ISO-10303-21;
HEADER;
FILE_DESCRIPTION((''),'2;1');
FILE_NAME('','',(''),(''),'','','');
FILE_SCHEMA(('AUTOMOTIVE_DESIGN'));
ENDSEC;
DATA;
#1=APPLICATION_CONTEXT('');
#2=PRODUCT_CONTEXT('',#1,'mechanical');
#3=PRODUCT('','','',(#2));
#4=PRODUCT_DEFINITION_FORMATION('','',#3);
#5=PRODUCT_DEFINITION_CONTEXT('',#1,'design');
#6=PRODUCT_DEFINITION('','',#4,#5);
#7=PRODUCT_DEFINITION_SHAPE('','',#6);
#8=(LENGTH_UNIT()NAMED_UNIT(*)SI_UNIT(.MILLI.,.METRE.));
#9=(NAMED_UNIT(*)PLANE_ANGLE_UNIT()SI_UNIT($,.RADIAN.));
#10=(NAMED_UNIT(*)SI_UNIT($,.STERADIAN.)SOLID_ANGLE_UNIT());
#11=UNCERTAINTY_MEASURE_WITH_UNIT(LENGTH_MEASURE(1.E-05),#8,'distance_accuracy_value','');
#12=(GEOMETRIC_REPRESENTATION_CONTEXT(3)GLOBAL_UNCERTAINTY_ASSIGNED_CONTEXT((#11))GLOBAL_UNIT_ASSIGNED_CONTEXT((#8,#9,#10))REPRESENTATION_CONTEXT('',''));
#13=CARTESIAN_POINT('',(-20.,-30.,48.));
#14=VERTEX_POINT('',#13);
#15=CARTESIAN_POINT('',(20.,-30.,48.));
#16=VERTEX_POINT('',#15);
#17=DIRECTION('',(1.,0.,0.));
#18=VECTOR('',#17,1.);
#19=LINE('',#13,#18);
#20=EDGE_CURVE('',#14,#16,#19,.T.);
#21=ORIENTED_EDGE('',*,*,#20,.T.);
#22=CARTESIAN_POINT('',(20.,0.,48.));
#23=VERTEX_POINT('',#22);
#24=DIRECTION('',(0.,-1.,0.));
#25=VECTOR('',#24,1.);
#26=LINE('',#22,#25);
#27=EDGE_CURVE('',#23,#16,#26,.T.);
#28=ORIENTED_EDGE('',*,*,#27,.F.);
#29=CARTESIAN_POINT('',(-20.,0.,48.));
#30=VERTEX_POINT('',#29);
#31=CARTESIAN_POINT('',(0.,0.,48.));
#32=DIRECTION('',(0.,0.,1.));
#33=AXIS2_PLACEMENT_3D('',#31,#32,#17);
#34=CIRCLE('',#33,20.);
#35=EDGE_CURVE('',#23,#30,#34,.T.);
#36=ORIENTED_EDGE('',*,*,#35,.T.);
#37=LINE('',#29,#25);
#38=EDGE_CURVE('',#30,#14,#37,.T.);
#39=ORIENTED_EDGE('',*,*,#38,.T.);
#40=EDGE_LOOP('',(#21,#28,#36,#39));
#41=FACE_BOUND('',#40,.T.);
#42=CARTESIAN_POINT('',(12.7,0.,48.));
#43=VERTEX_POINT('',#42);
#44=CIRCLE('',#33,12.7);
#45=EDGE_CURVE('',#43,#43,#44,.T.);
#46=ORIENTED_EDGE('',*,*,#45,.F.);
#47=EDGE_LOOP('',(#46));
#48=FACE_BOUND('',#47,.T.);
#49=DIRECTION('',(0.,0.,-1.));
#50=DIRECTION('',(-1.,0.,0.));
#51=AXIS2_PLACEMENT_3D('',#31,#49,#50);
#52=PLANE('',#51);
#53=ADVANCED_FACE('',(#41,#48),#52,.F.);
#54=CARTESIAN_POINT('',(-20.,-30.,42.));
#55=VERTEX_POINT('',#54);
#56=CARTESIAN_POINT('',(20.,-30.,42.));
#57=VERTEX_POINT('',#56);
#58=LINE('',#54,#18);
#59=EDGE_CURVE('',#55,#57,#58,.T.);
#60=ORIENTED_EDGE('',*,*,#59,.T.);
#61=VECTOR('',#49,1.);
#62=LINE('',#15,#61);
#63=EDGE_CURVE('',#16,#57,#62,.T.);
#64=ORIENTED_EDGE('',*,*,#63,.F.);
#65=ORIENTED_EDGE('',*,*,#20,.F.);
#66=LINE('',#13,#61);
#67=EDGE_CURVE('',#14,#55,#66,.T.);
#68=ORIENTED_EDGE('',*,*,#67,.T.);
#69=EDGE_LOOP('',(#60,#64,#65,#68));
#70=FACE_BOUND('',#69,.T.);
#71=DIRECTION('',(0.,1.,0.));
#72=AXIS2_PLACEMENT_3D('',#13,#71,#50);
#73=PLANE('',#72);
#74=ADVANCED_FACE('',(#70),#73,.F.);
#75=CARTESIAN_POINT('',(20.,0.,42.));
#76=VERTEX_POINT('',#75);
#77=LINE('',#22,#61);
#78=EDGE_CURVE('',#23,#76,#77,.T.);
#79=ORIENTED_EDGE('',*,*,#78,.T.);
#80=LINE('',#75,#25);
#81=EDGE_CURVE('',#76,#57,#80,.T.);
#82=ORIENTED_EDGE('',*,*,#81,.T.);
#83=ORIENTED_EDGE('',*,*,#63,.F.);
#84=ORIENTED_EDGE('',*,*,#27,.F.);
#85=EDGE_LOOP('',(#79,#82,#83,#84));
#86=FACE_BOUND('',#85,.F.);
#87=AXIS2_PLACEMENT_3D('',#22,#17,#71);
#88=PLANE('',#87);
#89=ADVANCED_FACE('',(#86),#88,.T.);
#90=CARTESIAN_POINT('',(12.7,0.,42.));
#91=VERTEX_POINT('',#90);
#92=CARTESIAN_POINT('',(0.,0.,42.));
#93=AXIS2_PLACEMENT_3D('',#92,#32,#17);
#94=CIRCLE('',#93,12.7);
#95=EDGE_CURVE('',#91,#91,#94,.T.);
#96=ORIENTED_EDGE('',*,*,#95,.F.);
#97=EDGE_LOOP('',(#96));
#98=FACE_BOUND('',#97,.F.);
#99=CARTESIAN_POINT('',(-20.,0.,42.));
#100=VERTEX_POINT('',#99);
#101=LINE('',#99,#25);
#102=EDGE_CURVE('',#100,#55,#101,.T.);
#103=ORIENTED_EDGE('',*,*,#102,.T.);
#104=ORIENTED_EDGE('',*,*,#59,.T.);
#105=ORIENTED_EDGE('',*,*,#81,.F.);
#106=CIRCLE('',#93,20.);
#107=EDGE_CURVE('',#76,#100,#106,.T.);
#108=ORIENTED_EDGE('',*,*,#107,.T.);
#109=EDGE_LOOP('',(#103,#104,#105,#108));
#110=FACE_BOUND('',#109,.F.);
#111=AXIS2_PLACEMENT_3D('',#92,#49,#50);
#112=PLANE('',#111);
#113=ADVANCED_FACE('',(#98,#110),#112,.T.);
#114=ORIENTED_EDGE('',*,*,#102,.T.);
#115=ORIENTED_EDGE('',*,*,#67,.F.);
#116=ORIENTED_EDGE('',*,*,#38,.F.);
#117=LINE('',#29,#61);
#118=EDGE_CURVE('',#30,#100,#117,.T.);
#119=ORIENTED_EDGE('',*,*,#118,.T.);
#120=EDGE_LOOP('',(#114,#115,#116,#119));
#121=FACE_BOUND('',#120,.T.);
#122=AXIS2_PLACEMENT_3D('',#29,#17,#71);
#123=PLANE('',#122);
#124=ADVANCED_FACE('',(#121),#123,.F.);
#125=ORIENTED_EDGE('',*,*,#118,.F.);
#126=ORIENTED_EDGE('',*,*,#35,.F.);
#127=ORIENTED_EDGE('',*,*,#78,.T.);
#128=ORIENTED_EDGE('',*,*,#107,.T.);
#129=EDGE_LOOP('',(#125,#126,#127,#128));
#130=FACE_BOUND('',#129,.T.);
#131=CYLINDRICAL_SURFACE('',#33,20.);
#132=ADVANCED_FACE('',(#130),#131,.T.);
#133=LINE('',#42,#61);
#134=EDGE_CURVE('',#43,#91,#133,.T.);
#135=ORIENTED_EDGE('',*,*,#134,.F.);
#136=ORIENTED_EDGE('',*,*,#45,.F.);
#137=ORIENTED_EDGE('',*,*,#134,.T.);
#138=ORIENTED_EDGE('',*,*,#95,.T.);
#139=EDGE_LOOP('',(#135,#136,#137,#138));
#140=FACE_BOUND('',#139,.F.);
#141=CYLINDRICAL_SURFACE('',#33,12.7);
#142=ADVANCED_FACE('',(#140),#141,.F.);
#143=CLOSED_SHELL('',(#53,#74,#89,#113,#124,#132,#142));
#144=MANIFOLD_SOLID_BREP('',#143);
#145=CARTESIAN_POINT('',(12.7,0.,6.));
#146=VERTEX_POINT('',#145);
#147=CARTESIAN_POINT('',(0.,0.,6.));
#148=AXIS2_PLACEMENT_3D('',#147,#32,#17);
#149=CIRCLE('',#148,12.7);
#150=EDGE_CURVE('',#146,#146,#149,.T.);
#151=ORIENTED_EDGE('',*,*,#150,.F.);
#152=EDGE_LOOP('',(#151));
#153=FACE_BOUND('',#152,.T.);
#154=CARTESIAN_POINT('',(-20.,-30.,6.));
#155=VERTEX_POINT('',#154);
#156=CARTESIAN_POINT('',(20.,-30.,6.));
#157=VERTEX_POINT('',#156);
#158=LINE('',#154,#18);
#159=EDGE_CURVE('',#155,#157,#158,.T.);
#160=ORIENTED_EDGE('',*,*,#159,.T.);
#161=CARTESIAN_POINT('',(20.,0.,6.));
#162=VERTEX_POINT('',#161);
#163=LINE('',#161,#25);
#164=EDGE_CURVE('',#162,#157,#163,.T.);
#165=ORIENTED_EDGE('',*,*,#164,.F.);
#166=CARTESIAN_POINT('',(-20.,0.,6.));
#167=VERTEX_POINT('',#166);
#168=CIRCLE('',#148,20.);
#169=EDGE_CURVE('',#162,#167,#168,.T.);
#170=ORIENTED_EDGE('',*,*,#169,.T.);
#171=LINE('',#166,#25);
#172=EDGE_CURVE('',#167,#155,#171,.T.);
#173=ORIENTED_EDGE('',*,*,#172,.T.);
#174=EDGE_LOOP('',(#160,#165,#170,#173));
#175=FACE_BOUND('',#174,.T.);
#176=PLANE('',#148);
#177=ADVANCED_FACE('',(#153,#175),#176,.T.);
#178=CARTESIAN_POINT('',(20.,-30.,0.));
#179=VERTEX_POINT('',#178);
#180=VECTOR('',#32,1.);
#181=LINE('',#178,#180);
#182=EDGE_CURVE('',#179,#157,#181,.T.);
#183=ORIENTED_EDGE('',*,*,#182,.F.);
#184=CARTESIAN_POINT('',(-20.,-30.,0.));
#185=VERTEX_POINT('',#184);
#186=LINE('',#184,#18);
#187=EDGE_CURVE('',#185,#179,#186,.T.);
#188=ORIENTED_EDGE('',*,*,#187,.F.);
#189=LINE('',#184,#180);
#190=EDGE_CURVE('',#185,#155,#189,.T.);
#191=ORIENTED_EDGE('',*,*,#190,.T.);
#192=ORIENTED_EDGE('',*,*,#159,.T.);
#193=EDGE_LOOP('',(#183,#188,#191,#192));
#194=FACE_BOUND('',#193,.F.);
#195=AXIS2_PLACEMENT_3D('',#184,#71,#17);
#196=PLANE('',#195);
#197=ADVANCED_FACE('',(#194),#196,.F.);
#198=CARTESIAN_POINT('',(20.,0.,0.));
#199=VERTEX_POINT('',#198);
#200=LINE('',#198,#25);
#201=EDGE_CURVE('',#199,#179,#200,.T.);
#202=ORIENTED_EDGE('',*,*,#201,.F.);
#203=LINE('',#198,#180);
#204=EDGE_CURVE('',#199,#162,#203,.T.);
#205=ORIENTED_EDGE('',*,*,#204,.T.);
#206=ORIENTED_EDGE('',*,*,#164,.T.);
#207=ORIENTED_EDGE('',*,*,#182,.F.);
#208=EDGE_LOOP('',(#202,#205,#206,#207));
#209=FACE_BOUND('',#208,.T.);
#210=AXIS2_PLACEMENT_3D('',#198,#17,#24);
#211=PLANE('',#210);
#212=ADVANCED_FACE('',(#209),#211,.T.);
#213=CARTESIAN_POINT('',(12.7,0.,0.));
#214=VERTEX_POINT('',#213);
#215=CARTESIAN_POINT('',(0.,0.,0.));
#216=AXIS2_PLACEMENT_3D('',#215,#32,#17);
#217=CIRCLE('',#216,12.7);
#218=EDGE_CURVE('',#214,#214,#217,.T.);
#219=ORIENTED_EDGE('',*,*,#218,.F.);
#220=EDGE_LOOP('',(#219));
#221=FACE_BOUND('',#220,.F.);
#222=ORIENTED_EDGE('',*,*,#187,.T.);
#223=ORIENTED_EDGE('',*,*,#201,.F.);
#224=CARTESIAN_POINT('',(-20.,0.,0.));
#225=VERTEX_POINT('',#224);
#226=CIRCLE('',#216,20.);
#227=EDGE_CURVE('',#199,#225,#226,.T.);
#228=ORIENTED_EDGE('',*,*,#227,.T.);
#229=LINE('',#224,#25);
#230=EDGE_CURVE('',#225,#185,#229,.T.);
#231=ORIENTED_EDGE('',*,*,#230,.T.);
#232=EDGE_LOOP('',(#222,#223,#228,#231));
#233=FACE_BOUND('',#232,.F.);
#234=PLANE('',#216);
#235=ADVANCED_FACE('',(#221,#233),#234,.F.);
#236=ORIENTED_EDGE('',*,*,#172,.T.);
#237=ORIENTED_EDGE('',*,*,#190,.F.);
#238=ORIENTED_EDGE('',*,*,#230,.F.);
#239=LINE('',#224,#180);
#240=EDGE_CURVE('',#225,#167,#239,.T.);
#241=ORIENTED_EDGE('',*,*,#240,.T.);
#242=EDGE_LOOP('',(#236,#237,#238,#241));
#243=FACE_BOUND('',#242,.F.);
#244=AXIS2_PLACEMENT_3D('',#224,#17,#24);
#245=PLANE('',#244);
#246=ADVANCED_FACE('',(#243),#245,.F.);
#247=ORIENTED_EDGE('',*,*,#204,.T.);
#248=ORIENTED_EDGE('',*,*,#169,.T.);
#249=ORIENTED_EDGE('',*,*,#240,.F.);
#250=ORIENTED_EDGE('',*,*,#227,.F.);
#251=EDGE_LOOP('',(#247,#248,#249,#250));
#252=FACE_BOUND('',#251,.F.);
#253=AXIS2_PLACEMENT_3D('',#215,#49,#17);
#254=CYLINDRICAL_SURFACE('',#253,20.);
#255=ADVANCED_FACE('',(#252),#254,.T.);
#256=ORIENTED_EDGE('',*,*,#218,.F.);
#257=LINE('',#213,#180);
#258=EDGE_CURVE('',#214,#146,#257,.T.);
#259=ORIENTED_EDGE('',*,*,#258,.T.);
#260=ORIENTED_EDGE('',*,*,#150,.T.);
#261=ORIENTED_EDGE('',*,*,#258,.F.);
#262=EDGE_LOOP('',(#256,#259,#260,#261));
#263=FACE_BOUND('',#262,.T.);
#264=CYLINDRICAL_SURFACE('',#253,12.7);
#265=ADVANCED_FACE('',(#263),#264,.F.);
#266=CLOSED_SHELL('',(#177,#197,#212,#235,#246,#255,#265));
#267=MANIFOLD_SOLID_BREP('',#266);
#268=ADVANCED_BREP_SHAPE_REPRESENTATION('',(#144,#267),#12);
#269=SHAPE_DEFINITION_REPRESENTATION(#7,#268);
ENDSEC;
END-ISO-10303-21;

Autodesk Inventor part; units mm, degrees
ref_plane "YZ Plane" through (0, 0, 0) normal (1, 0, 0) x (0, 1, 0)
ref_plane "XZ Plane" through (0, 0, 0) normal (0, 1, 0) x (-1, 0, 0)
ref_plane "XY Plane" through (0, 0, 0) normal (0, 0, 1) x (1, 0, 0)
sketch "Sketch1" plane through (0, 0, 0) normal (0, 0, 1) x (1, 0, 0)
  circle A0 centre (0, 0) radius 12.7
  arc A1 (20, 0) -> (-20, 0) centre (0, 0) ccw
  line L0 (-20, 0) -> (-20, -30)
  line L1 (20, 0) -> (20, -30)
  line L2 (-20, -30) -> (20, -30)
  dimension "d0" = 25.4
  dimension "d1" = 40
  dimension "d2" = 30
  dimension "d3" = 30
extrude "Extrusion1" add sketch "Sketch1" along normal blind 6
ref_plane "Work Plane1" through (0, 0, 24) normal (0, 0, 1) x (1, 0, 0)
mirror "Mirror1" about plane through (0, 0, 24) normal (0, 0, 1) of "Extrusion1"
properties part number "UnionMarco"
